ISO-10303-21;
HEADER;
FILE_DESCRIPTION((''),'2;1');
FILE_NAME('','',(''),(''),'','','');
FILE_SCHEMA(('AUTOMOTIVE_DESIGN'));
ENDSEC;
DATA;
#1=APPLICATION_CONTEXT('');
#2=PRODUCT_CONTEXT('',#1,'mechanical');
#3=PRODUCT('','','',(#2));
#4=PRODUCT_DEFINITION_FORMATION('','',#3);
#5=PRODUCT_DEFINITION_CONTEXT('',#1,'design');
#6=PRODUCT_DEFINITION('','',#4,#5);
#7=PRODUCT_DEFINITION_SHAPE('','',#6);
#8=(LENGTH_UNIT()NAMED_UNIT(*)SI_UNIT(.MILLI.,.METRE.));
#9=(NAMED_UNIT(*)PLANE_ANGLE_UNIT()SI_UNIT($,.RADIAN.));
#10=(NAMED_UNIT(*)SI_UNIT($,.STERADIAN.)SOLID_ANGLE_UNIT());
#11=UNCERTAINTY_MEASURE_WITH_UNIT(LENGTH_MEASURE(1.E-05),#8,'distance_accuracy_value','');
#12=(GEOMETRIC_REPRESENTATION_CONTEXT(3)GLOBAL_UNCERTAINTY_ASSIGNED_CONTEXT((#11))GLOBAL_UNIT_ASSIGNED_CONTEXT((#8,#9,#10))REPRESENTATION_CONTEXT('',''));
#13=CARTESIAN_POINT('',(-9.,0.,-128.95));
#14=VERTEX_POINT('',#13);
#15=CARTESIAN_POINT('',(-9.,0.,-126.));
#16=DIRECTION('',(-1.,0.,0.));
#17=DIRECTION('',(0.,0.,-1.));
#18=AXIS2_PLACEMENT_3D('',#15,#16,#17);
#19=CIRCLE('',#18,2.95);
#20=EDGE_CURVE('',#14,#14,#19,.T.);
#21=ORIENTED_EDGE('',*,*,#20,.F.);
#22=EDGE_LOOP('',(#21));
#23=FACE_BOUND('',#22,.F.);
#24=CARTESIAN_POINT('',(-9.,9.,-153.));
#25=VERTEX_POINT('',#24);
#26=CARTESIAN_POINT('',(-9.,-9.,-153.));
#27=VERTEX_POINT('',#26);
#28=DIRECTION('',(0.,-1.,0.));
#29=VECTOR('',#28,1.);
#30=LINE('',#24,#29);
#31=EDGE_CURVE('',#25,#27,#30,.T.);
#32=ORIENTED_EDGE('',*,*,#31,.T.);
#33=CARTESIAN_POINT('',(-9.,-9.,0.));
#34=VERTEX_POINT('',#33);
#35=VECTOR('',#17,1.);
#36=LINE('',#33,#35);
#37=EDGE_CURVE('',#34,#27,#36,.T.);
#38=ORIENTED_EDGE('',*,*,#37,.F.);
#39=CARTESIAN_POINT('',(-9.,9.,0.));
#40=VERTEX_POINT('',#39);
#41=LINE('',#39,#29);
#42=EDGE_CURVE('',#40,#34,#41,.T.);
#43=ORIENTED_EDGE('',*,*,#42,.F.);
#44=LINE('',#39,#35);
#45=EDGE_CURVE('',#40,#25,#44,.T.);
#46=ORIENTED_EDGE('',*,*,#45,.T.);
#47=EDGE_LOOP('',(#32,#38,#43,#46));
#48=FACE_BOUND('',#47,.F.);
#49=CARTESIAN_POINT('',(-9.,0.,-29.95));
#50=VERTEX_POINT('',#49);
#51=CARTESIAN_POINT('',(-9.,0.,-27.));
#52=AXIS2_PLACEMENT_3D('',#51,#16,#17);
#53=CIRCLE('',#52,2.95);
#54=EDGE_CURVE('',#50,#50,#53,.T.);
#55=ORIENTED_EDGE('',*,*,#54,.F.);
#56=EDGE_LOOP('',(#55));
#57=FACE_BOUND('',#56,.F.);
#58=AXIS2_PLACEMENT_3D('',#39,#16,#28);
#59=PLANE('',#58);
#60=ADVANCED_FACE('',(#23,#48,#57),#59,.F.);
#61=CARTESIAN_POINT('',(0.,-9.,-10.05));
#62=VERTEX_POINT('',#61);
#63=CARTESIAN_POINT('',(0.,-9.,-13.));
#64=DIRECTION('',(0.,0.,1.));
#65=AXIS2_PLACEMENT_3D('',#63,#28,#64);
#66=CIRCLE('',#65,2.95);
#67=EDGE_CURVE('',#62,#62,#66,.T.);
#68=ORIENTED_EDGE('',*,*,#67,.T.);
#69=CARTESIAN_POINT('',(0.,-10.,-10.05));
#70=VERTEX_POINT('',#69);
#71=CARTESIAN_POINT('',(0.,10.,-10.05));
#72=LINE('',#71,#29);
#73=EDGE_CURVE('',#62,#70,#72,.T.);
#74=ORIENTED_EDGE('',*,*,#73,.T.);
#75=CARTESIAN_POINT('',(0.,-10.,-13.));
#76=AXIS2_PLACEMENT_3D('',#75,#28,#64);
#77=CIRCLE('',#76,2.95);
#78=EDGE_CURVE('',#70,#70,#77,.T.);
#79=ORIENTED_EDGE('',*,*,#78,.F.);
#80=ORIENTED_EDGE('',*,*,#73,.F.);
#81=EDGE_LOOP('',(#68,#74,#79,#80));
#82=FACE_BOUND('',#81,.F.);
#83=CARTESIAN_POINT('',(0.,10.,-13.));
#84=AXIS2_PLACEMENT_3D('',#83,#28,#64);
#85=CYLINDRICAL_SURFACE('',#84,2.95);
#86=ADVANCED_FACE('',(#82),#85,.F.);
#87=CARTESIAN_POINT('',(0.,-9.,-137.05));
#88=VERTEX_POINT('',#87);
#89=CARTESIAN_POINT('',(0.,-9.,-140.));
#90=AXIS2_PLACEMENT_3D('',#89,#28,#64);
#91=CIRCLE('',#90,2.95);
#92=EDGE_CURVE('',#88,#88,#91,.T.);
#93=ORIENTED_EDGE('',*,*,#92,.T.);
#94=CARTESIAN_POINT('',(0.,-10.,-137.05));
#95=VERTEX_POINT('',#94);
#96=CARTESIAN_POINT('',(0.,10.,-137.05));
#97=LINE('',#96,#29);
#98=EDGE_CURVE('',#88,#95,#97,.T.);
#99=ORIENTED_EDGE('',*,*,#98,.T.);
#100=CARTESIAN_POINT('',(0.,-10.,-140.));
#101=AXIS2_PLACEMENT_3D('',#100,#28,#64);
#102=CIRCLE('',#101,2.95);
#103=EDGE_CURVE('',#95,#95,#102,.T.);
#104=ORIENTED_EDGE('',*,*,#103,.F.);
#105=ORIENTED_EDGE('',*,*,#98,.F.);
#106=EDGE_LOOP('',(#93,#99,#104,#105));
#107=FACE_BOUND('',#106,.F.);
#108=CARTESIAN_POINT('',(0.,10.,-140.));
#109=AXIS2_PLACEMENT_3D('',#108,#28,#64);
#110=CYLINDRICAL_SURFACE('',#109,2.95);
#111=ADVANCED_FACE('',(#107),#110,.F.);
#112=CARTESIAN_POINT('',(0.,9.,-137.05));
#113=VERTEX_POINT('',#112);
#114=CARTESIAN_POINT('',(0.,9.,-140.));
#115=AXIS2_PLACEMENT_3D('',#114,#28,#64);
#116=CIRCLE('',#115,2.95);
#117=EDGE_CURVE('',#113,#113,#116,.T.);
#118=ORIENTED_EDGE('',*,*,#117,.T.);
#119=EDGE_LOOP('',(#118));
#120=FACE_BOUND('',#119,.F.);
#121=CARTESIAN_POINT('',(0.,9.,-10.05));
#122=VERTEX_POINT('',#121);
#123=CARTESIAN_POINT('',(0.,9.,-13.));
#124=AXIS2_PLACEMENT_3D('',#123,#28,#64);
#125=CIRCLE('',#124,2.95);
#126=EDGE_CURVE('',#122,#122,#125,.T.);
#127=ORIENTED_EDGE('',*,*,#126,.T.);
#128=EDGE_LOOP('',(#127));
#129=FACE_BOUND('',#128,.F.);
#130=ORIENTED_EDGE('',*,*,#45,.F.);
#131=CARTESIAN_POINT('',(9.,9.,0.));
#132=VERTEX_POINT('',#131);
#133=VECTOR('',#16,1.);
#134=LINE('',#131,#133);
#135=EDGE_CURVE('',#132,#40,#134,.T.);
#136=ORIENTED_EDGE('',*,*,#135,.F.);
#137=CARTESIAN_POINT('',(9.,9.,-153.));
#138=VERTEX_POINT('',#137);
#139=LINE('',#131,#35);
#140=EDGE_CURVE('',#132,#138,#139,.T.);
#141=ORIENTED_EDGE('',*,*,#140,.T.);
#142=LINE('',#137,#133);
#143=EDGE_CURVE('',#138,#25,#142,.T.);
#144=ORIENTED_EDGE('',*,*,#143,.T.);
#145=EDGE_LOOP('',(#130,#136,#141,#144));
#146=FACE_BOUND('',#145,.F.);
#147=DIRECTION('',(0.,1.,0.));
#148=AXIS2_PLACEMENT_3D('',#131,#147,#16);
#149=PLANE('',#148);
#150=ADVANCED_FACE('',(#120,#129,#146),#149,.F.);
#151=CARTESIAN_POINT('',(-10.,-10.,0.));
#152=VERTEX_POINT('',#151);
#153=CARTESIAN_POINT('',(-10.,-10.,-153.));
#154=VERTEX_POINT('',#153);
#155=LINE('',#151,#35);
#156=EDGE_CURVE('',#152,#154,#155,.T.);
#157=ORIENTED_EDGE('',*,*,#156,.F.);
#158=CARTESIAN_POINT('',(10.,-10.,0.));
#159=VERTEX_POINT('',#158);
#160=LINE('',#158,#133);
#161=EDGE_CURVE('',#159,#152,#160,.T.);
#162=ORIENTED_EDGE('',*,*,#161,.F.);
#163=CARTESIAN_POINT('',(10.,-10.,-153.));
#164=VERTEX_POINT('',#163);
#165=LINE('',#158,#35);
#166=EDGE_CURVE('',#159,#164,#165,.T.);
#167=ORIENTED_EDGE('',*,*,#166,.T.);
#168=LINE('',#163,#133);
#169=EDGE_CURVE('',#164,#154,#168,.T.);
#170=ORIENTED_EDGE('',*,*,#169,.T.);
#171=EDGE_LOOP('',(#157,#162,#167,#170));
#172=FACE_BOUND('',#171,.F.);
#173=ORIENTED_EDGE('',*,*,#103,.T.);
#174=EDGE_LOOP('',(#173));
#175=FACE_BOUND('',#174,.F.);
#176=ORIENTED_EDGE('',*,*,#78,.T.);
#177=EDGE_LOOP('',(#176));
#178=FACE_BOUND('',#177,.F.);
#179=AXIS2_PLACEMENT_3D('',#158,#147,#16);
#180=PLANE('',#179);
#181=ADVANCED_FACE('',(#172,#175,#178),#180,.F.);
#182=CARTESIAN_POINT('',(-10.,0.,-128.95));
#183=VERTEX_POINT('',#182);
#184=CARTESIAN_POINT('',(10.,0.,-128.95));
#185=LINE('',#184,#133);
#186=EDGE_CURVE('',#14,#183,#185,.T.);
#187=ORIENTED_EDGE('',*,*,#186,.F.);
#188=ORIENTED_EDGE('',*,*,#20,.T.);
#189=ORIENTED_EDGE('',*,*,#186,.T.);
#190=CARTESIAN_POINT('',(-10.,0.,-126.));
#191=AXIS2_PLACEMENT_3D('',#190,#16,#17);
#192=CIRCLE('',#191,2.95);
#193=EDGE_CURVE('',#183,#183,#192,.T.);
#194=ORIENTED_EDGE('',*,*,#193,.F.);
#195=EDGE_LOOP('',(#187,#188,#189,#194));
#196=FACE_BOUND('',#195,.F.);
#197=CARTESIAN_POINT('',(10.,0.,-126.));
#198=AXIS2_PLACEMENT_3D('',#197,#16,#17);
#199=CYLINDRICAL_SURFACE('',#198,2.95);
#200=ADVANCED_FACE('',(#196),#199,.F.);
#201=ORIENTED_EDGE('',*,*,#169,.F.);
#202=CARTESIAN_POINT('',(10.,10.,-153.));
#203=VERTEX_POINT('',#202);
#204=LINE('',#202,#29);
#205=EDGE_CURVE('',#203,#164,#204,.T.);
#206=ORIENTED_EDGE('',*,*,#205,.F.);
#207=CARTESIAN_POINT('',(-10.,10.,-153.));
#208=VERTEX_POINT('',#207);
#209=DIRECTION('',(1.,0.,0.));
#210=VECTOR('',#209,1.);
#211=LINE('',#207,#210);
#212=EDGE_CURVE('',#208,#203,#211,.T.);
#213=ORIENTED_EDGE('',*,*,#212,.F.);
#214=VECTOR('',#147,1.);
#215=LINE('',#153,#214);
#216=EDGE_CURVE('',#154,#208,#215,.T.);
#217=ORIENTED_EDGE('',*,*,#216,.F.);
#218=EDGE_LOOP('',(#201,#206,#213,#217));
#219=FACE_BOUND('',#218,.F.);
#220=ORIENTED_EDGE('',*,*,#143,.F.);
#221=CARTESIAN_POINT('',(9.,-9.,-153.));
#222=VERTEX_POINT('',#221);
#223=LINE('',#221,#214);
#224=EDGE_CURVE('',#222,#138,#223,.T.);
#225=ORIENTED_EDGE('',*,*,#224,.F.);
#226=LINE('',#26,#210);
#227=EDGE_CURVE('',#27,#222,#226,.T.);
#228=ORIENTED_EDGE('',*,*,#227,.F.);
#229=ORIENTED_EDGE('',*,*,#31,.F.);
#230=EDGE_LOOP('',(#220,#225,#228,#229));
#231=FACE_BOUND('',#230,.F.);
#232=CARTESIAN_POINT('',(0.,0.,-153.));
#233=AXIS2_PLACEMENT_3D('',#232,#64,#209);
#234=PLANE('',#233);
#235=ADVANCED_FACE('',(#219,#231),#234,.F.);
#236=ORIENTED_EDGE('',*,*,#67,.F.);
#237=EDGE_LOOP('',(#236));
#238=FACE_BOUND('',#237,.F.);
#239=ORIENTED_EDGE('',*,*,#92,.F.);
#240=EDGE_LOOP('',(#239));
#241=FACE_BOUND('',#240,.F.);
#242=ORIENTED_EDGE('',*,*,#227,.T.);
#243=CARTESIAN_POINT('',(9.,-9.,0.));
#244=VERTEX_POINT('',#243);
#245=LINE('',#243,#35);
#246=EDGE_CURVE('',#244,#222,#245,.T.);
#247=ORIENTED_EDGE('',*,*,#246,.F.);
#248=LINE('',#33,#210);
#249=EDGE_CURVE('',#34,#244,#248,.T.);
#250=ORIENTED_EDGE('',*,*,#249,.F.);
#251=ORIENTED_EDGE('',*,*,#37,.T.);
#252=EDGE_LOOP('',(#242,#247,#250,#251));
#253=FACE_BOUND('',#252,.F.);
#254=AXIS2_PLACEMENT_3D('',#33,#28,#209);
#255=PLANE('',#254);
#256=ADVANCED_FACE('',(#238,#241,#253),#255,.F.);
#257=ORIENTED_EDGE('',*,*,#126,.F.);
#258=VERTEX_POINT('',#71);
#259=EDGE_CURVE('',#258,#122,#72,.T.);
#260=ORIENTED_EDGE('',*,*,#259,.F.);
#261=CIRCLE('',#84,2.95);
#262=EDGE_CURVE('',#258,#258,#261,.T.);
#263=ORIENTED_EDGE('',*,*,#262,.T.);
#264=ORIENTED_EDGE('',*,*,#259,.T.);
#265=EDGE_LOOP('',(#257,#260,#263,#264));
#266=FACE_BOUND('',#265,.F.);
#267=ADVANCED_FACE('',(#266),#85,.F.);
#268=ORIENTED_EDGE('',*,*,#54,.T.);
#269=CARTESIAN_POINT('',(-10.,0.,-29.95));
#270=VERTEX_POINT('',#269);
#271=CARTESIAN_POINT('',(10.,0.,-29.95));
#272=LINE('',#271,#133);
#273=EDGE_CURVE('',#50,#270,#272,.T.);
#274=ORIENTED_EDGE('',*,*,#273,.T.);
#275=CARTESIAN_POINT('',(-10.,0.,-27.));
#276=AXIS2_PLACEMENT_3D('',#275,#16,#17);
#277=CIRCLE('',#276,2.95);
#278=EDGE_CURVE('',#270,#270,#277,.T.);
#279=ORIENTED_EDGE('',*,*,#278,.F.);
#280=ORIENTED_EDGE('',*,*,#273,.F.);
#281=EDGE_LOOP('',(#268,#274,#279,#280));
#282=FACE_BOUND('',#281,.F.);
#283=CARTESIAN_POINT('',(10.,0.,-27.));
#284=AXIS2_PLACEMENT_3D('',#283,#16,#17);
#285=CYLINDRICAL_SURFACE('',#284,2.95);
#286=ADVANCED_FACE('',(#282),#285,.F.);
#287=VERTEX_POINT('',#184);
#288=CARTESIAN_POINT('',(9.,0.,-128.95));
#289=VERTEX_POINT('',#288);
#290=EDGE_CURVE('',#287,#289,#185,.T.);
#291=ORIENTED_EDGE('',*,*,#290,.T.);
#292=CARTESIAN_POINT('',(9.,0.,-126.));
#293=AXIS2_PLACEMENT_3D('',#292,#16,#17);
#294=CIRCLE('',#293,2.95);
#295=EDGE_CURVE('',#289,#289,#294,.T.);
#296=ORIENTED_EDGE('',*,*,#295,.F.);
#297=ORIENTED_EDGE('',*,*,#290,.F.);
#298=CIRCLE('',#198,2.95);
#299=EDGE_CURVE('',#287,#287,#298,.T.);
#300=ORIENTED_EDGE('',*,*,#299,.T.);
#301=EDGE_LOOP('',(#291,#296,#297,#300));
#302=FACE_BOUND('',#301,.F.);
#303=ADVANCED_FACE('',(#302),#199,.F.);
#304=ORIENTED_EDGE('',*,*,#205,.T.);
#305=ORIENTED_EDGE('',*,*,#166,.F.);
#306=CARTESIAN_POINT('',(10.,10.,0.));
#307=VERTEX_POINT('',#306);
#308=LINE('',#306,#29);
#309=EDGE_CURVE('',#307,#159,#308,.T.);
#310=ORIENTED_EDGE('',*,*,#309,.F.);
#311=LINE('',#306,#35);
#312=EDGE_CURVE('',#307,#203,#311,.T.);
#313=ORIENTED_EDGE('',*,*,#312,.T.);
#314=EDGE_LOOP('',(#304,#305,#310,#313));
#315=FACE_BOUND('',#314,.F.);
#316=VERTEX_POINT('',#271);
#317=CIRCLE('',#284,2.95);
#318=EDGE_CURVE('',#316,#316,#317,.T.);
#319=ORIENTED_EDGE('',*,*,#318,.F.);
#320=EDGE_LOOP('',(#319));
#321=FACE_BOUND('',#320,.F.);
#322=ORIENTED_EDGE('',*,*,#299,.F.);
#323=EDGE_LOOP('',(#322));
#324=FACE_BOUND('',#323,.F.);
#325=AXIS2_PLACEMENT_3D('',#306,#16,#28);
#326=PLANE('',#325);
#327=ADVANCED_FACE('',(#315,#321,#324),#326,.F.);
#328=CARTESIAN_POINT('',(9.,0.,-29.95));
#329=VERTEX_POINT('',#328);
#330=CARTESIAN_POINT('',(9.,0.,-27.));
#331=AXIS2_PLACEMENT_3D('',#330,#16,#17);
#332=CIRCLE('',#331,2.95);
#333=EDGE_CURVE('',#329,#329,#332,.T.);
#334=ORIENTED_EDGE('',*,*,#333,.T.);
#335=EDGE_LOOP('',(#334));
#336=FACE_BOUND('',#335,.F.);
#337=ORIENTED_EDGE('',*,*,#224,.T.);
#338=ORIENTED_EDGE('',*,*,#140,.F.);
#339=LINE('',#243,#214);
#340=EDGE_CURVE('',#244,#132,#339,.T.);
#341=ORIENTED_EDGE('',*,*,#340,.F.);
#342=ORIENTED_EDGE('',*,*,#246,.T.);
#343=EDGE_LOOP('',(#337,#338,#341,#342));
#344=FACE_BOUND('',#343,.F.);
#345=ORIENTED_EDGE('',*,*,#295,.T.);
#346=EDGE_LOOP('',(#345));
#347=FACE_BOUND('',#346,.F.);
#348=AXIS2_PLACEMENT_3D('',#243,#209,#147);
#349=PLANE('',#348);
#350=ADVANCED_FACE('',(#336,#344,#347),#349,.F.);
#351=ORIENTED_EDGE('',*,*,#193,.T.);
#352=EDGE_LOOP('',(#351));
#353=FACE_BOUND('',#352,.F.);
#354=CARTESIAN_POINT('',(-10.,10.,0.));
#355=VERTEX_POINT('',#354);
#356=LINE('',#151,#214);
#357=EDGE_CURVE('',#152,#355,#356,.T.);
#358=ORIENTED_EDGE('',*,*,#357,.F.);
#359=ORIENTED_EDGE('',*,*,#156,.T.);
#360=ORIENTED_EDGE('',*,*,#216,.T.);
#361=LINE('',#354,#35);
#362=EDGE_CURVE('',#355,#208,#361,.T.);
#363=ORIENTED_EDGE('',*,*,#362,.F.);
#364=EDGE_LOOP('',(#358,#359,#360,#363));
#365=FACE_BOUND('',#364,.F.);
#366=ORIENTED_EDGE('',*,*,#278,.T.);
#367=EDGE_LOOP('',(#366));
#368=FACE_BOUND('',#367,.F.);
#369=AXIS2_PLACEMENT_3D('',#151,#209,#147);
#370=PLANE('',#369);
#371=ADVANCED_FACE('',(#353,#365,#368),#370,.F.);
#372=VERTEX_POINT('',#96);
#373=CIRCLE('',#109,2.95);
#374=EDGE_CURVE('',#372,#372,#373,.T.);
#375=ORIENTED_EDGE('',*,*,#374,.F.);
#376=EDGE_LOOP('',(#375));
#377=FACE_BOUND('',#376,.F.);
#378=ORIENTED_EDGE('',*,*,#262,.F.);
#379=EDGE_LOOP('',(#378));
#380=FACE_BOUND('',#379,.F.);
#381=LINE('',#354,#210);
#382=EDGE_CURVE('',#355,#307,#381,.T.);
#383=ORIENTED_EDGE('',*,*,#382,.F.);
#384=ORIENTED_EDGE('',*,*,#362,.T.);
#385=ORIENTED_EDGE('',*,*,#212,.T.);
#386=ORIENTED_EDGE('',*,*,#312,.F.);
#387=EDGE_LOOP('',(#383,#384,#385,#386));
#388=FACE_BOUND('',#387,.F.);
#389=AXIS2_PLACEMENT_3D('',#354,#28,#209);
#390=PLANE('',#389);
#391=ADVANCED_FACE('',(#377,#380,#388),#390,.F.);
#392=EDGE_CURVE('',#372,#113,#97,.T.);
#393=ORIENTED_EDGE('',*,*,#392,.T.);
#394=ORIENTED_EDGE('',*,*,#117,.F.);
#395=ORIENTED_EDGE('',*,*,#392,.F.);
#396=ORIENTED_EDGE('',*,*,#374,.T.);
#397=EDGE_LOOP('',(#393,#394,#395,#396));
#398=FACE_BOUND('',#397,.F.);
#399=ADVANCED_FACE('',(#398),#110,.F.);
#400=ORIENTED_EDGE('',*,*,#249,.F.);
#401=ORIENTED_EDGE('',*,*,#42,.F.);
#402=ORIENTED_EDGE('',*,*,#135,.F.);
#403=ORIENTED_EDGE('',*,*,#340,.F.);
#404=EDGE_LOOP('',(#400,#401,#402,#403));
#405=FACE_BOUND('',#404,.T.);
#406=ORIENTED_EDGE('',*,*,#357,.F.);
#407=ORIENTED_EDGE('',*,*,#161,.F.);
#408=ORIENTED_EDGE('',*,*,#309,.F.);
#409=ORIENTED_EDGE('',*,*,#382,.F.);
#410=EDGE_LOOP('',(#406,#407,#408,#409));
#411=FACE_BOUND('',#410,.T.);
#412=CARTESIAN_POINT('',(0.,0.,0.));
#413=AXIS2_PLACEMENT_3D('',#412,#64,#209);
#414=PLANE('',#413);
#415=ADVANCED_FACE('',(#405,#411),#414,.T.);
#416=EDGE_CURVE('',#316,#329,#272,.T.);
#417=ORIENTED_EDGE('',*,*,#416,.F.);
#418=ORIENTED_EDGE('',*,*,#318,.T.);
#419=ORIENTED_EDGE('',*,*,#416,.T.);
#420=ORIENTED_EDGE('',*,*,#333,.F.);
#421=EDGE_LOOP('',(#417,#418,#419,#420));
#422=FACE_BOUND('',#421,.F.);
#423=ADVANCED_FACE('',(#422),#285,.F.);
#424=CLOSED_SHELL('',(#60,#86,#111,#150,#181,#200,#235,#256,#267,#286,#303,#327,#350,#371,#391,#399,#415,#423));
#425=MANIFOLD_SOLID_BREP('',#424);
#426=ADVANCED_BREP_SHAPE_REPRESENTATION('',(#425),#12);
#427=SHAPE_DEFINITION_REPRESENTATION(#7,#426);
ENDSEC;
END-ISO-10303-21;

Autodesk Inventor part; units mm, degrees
ref_plane "YZ Plane" through (0, 0, 0) normal (1, 0, 0) x (0, 1, 0)
ref_plane "XZ Plane" through (0, 0, 0) normal (0, 1, 0) x (-1, 0, 0)
ref_plane "XY Plane" through (0, 0, 0) normal (0, 0, 1) x (1, 0, 0)
sketch "Schizzo1" plane through (0, 0, 0) normal (0, 0, 1) x (1, 0, 0)
  line L0 (10, -10) -> (-10, -10)
  line L1 (-10, -10) -> (-10, 10)
  line L2 (-10, 10) -> (10, 10)
  line L3 (10, 10) -> (10, -10)
  line L4 (9, 9) -> (-9, 9)
  line L5 (-9, 9) -> (-9, -9)
  line L6 (-9, -9) -> (9, -9)
  line L7 (9, -9) -> (9, 9)
  point P0 (0, 0)
  point P1 (0, 0)
  dimension "d0" = 20
  dimension "d1" = 1
extrude "Estrusione1" add sketch "Schizzo1" against normal blind 153
sketch "Schizzo8" plane through (10, -10, 0) normal (1, 0, 0) x (0, 0, -1)
  circle A0 centre (126, 10) radius 2.75
  circle A1 centre (27, 10) radius 2.95
  circle A2 centre (126, 10) radius 2.75
  circle A3 centre (27, 10) radius 2.95
  point P0 (0, 10)
hole "Foro7" at (10, 0, -126) at (10, 0, -27) direction (-1, 0, 0) diameter 5.9 end through all clearance for "Vite a testa piana" size "M5" standard "ANSI - Profilo M Metrico"
sketch "Schizzo9" plane through (-10, 10, 0) normal (0, 1, 0) x (1, 0, 0)
  circle A0 centre (10, 13) radius 2.95
  circle A1 centre (10, 140) radius 2.75
  circle A2 centre (10, 13) radius 2.95
  circle A3 centre (10, 140) radius 2.75
  point P0 (10, 0)
hole "Foro8" at (0, 10, -13) at (0, 10, -140) direction (0, -1, 0) diameter 5.9 end through all clearance for "Vite a testa piana" size "M5" standard "ANSI - Profilo M Metrico"
properties part number "4_barra" material "Alluminio D=2.26"
